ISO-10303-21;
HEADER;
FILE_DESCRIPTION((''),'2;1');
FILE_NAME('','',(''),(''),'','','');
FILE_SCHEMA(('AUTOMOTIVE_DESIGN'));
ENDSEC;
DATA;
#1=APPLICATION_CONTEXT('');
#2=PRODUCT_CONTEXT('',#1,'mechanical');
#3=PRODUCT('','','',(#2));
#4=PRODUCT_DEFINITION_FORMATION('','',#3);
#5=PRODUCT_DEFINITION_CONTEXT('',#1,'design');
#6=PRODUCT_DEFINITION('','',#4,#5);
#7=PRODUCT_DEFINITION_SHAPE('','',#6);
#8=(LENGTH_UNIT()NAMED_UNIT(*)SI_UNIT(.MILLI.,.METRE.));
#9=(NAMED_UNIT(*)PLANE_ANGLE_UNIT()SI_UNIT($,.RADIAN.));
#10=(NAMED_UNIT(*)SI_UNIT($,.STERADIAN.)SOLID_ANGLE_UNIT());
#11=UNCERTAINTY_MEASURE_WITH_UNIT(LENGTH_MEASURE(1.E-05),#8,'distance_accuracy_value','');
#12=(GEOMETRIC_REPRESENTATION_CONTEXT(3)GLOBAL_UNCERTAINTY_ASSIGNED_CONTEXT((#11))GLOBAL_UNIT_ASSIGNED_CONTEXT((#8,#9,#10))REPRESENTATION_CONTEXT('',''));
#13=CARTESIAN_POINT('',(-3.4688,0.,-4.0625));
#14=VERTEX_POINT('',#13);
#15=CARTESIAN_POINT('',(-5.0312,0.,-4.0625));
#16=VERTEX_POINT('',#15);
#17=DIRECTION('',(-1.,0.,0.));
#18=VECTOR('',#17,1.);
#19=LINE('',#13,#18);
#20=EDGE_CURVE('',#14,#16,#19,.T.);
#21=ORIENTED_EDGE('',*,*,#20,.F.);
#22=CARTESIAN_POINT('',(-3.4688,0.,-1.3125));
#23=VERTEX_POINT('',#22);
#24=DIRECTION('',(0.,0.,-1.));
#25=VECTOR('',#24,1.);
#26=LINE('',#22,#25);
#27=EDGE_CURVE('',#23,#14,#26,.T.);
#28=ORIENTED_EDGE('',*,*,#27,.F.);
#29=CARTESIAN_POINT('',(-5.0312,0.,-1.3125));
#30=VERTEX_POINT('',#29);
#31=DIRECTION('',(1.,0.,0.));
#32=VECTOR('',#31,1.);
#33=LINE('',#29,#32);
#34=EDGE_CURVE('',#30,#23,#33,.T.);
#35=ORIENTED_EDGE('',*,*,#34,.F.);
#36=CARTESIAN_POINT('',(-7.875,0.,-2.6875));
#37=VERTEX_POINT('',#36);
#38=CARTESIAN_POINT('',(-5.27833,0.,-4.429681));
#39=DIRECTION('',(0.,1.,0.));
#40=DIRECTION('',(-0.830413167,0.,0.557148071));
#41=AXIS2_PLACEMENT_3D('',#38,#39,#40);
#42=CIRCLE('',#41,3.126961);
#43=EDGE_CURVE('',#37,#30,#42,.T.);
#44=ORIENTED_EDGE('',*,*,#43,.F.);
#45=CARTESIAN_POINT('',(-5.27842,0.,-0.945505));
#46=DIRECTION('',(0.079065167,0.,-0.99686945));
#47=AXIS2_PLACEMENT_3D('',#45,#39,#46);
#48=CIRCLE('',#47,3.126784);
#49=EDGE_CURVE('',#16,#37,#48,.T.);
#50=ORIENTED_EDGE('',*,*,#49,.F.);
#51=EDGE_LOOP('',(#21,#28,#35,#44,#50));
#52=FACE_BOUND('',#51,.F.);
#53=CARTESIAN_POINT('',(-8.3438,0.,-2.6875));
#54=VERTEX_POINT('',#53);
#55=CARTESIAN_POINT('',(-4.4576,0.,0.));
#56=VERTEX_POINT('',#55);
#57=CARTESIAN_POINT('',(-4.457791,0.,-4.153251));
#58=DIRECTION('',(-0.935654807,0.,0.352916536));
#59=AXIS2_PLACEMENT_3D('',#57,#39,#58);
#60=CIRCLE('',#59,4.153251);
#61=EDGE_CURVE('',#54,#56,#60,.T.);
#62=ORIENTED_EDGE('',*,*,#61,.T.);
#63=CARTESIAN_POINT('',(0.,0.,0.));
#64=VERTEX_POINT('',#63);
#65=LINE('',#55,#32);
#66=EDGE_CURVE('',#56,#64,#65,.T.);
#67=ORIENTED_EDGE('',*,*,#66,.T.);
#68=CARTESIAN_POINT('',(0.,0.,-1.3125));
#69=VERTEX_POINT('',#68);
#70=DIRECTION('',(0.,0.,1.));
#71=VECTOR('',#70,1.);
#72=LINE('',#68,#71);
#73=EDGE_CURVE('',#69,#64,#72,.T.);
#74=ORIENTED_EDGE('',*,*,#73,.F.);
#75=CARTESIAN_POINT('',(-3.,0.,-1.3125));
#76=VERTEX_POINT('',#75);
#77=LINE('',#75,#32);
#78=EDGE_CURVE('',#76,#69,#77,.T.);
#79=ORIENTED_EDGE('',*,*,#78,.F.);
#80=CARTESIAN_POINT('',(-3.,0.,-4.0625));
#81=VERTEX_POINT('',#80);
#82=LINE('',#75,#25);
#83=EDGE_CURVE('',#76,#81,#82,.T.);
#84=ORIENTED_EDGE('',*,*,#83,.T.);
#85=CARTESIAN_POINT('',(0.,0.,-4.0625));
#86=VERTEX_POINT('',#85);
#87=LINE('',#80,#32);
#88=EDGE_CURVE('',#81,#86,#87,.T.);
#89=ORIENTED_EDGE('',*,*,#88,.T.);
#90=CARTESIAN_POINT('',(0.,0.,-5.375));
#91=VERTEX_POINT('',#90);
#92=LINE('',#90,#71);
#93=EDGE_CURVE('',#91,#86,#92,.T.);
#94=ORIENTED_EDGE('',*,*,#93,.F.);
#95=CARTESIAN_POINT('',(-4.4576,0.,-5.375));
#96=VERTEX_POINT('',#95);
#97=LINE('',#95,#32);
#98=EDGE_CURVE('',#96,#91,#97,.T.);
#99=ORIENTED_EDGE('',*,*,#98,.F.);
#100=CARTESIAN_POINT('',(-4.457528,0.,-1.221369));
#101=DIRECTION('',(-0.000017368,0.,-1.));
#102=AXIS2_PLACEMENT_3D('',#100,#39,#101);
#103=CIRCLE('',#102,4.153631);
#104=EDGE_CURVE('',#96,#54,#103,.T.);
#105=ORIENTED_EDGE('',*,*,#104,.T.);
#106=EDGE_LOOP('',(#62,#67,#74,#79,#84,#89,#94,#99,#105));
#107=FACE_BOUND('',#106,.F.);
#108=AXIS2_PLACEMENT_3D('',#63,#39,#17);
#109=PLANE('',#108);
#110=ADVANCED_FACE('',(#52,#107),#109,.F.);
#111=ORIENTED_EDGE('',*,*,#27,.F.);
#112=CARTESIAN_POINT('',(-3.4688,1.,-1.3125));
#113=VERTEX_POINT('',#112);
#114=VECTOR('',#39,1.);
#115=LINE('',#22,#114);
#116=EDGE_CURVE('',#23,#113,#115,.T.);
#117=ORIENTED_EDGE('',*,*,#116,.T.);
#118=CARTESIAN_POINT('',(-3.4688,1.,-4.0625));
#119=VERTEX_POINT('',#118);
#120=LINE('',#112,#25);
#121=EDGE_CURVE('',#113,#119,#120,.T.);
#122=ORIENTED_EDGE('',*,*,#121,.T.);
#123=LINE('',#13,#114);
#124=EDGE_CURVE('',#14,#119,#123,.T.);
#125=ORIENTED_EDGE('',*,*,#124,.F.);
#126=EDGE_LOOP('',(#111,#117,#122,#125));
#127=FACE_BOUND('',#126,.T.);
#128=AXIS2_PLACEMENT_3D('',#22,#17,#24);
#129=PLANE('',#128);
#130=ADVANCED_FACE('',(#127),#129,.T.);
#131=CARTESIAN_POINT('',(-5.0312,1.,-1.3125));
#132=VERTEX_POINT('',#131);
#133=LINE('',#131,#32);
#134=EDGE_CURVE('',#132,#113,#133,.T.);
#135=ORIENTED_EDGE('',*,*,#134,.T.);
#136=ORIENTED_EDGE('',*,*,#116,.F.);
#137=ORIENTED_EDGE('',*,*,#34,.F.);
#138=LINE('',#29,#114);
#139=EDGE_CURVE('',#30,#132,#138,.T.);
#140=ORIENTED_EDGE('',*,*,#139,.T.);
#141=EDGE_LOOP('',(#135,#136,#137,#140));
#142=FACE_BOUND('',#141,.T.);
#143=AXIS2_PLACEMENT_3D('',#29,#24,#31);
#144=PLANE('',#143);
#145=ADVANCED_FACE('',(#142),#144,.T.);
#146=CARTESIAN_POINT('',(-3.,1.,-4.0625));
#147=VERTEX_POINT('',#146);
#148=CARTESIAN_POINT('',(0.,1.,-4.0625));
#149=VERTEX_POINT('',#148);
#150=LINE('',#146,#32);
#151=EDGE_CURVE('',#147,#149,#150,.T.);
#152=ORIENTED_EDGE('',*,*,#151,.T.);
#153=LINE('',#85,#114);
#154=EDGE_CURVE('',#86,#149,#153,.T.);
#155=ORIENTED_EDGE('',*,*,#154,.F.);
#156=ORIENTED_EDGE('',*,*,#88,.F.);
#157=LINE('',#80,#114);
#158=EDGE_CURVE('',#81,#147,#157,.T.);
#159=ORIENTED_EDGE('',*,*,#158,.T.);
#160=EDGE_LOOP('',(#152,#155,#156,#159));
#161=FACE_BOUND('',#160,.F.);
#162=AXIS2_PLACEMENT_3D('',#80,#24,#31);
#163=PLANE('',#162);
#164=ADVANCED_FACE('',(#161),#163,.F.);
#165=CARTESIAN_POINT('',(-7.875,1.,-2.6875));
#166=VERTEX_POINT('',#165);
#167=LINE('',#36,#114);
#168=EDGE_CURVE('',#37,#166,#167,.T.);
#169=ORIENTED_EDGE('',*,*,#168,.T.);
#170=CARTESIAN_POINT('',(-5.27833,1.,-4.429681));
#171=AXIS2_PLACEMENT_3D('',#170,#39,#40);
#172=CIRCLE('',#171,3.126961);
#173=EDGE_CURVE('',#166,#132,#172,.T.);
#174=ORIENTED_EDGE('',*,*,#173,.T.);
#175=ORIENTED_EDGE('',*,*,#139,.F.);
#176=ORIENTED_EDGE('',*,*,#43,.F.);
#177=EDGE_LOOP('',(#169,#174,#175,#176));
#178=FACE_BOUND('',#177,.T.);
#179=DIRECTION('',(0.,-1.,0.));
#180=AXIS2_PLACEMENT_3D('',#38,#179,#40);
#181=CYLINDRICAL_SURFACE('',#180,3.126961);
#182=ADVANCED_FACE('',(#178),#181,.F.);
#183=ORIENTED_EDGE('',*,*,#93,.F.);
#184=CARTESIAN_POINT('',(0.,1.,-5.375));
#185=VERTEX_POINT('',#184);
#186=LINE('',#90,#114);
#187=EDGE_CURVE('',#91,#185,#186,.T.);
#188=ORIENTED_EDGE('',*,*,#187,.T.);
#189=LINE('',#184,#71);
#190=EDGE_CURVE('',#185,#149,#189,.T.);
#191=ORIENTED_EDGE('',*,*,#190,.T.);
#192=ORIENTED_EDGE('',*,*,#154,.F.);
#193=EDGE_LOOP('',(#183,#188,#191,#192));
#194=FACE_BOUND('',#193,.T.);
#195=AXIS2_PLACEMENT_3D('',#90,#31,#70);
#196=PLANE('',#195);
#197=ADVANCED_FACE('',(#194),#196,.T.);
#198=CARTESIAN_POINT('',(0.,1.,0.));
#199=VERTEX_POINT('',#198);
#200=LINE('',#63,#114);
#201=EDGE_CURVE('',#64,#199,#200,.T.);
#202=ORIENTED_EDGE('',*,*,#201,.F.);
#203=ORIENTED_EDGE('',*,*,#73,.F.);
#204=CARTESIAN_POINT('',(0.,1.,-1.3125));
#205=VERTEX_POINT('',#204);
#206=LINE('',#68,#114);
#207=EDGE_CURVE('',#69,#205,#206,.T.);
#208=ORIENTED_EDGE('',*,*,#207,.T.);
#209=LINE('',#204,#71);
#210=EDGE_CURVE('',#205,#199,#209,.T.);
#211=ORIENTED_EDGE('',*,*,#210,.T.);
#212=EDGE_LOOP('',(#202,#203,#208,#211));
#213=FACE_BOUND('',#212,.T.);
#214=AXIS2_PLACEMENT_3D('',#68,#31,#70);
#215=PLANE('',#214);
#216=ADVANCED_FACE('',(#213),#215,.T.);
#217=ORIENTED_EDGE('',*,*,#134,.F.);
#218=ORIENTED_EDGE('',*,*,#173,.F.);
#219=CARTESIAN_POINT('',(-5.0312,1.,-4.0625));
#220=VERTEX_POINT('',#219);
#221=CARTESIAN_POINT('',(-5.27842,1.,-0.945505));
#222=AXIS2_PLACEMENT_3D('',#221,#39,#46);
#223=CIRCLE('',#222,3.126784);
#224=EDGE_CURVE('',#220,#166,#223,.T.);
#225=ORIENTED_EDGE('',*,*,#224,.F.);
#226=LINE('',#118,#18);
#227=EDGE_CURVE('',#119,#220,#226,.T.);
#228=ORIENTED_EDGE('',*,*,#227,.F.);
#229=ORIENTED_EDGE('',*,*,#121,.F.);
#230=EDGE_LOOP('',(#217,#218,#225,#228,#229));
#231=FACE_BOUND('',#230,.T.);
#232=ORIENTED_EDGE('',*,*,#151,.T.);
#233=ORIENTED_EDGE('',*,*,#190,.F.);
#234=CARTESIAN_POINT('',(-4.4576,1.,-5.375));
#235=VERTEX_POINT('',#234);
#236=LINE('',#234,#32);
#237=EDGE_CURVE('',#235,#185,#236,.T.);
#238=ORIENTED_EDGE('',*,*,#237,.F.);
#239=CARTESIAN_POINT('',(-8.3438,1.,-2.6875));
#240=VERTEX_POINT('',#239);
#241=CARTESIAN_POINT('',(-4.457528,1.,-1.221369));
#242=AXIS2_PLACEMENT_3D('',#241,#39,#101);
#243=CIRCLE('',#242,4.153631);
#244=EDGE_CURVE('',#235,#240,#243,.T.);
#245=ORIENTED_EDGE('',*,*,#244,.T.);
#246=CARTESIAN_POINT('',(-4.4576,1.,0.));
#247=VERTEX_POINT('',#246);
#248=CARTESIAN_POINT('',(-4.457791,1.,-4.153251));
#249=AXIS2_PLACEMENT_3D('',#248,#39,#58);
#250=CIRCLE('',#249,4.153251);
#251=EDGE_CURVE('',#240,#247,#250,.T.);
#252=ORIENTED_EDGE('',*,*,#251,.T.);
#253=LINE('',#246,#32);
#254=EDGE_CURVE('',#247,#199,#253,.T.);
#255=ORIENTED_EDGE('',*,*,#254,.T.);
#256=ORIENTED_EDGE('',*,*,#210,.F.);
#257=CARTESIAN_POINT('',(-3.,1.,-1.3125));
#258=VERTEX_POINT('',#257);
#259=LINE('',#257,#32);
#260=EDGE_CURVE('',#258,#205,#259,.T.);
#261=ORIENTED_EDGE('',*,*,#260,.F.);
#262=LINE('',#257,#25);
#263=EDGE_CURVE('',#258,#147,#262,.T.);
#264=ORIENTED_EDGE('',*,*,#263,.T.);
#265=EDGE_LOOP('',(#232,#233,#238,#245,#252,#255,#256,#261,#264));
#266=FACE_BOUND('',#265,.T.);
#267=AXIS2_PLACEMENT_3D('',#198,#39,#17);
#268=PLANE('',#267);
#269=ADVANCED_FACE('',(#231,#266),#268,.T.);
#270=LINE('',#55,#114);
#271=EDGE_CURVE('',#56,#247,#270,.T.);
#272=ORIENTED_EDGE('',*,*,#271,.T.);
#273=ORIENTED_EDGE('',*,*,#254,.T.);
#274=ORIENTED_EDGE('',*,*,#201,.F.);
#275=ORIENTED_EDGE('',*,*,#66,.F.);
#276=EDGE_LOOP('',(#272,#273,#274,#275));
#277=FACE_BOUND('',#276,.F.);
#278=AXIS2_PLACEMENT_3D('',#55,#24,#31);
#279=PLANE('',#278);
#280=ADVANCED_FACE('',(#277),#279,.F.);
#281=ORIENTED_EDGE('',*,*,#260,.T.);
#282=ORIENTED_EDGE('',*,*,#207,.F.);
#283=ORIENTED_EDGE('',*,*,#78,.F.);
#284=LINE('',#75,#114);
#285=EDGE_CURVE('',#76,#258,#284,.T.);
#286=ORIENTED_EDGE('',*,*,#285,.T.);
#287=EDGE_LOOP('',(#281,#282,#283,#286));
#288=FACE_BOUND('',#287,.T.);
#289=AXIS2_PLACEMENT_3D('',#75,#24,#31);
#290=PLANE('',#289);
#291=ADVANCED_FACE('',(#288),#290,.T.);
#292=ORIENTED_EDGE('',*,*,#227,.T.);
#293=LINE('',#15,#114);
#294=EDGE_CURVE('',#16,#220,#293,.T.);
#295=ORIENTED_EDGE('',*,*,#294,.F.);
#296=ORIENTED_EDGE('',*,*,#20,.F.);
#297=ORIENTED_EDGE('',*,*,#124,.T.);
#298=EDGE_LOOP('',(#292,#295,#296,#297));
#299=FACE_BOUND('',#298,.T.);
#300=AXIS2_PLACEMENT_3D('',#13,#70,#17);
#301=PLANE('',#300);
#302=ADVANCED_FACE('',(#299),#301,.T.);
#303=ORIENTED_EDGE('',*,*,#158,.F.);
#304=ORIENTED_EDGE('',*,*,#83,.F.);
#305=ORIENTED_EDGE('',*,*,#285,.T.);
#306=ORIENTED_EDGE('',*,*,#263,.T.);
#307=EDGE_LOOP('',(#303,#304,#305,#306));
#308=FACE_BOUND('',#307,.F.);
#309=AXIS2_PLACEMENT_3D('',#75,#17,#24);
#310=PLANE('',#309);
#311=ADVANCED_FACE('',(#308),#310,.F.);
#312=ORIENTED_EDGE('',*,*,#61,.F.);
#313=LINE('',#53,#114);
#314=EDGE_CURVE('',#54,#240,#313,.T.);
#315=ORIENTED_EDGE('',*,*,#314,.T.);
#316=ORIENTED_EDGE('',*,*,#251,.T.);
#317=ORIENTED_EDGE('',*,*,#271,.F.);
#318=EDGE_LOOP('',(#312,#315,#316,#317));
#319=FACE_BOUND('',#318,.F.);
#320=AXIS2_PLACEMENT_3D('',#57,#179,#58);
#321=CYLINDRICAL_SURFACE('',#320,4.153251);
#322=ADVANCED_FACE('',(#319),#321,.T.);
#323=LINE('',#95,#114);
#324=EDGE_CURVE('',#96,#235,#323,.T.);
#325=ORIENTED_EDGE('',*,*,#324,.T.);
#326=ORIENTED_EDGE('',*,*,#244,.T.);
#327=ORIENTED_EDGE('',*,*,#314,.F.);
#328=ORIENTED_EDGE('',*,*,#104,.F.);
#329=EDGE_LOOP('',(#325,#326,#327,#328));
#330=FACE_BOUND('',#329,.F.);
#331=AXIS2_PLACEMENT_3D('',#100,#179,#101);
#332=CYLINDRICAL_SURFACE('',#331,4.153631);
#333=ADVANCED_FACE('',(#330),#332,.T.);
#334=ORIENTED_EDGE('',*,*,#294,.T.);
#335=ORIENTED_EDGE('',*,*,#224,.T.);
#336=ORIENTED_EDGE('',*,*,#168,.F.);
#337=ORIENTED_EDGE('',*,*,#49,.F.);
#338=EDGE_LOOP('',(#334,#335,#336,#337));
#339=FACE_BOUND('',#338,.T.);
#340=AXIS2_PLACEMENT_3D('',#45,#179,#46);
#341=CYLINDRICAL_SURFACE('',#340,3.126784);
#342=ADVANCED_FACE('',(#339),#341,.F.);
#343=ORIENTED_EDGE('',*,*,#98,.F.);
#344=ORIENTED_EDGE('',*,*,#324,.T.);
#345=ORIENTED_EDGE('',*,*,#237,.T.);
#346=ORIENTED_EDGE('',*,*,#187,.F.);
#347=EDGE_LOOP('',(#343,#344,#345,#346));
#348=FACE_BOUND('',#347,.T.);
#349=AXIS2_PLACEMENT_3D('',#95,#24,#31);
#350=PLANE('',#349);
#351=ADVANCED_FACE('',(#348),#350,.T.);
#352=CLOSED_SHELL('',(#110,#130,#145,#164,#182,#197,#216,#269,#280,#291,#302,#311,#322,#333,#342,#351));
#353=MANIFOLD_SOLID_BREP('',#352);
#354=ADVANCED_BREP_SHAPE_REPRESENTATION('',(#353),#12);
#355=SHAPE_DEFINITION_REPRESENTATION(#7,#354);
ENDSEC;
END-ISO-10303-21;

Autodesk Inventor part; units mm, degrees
ref_plane "YZ Plane" through (0, 0, 0) normal (1, 0, 0) x (0, 1, 0)
ref_plane "XZ Plane" through (0, 0, 0) normal (0, 1, 0) x (-1, 0, 0)
ref_plane "XY Plane" through (0, 0, 0) normal (0, 0, 1) x (1, 0, 0)
sketch "Sketch2" plane through (0, 0, 0) normal (0, 1, 0) x (-1, 0, 0)
  line L0 (3, -1.3125) -> (3, -4.0625)
  line L1 (3, -4.0625) -> (0, -4.0625)
  line L2 (3.4688, -4.0625) -> (5.0312, -4.0625)
  arc A0 (7.875, -2.6875) -> (5.0312, -1.3125) centre (5.2784, -4.4296) ccw
  arc A1 (5.0312, -4.0625) -> (7.875, -2.6875) centre (5.2784, -0.9454) ccw
  arc A2 (8.3438, -2.6875) -> (4.4576, 0) centre (4.4576, -4.1534) ccw
  arc A3 (4.4576, -5.375) -> (8.3438, -2.6875) centre (4.4576, -1.2216) ccw
  line L3 (4.4576, -5.375) -> (0, -5.375)
  line L4 (3.4688, -1.3125) -> (3.4688, -4.0625)
  line L5 (5.0312, -1.3125) -> (3.4688, -1.3125)
  line L6 (0, -5.375) -> (0, -4.0625)
  line L7 (3, -1.3125) -> (0, -1.3125)
  line L8 (0, -1.3125) -> (0, 0)
  line L9 (4.4576, 0) -> (0, 0)
  dimension "d2" = 1.3125
  dimension "d5" = 1.5625
  dimension "d7" = 0.4688
  dimension "d10" = 3
  dimension "d14" = 4.4576
  dimension "d15" = 2.75
extrude "Extrusion2" add sketch "Sketch2" along normal blind 1
properties part number "Assignement 1"
